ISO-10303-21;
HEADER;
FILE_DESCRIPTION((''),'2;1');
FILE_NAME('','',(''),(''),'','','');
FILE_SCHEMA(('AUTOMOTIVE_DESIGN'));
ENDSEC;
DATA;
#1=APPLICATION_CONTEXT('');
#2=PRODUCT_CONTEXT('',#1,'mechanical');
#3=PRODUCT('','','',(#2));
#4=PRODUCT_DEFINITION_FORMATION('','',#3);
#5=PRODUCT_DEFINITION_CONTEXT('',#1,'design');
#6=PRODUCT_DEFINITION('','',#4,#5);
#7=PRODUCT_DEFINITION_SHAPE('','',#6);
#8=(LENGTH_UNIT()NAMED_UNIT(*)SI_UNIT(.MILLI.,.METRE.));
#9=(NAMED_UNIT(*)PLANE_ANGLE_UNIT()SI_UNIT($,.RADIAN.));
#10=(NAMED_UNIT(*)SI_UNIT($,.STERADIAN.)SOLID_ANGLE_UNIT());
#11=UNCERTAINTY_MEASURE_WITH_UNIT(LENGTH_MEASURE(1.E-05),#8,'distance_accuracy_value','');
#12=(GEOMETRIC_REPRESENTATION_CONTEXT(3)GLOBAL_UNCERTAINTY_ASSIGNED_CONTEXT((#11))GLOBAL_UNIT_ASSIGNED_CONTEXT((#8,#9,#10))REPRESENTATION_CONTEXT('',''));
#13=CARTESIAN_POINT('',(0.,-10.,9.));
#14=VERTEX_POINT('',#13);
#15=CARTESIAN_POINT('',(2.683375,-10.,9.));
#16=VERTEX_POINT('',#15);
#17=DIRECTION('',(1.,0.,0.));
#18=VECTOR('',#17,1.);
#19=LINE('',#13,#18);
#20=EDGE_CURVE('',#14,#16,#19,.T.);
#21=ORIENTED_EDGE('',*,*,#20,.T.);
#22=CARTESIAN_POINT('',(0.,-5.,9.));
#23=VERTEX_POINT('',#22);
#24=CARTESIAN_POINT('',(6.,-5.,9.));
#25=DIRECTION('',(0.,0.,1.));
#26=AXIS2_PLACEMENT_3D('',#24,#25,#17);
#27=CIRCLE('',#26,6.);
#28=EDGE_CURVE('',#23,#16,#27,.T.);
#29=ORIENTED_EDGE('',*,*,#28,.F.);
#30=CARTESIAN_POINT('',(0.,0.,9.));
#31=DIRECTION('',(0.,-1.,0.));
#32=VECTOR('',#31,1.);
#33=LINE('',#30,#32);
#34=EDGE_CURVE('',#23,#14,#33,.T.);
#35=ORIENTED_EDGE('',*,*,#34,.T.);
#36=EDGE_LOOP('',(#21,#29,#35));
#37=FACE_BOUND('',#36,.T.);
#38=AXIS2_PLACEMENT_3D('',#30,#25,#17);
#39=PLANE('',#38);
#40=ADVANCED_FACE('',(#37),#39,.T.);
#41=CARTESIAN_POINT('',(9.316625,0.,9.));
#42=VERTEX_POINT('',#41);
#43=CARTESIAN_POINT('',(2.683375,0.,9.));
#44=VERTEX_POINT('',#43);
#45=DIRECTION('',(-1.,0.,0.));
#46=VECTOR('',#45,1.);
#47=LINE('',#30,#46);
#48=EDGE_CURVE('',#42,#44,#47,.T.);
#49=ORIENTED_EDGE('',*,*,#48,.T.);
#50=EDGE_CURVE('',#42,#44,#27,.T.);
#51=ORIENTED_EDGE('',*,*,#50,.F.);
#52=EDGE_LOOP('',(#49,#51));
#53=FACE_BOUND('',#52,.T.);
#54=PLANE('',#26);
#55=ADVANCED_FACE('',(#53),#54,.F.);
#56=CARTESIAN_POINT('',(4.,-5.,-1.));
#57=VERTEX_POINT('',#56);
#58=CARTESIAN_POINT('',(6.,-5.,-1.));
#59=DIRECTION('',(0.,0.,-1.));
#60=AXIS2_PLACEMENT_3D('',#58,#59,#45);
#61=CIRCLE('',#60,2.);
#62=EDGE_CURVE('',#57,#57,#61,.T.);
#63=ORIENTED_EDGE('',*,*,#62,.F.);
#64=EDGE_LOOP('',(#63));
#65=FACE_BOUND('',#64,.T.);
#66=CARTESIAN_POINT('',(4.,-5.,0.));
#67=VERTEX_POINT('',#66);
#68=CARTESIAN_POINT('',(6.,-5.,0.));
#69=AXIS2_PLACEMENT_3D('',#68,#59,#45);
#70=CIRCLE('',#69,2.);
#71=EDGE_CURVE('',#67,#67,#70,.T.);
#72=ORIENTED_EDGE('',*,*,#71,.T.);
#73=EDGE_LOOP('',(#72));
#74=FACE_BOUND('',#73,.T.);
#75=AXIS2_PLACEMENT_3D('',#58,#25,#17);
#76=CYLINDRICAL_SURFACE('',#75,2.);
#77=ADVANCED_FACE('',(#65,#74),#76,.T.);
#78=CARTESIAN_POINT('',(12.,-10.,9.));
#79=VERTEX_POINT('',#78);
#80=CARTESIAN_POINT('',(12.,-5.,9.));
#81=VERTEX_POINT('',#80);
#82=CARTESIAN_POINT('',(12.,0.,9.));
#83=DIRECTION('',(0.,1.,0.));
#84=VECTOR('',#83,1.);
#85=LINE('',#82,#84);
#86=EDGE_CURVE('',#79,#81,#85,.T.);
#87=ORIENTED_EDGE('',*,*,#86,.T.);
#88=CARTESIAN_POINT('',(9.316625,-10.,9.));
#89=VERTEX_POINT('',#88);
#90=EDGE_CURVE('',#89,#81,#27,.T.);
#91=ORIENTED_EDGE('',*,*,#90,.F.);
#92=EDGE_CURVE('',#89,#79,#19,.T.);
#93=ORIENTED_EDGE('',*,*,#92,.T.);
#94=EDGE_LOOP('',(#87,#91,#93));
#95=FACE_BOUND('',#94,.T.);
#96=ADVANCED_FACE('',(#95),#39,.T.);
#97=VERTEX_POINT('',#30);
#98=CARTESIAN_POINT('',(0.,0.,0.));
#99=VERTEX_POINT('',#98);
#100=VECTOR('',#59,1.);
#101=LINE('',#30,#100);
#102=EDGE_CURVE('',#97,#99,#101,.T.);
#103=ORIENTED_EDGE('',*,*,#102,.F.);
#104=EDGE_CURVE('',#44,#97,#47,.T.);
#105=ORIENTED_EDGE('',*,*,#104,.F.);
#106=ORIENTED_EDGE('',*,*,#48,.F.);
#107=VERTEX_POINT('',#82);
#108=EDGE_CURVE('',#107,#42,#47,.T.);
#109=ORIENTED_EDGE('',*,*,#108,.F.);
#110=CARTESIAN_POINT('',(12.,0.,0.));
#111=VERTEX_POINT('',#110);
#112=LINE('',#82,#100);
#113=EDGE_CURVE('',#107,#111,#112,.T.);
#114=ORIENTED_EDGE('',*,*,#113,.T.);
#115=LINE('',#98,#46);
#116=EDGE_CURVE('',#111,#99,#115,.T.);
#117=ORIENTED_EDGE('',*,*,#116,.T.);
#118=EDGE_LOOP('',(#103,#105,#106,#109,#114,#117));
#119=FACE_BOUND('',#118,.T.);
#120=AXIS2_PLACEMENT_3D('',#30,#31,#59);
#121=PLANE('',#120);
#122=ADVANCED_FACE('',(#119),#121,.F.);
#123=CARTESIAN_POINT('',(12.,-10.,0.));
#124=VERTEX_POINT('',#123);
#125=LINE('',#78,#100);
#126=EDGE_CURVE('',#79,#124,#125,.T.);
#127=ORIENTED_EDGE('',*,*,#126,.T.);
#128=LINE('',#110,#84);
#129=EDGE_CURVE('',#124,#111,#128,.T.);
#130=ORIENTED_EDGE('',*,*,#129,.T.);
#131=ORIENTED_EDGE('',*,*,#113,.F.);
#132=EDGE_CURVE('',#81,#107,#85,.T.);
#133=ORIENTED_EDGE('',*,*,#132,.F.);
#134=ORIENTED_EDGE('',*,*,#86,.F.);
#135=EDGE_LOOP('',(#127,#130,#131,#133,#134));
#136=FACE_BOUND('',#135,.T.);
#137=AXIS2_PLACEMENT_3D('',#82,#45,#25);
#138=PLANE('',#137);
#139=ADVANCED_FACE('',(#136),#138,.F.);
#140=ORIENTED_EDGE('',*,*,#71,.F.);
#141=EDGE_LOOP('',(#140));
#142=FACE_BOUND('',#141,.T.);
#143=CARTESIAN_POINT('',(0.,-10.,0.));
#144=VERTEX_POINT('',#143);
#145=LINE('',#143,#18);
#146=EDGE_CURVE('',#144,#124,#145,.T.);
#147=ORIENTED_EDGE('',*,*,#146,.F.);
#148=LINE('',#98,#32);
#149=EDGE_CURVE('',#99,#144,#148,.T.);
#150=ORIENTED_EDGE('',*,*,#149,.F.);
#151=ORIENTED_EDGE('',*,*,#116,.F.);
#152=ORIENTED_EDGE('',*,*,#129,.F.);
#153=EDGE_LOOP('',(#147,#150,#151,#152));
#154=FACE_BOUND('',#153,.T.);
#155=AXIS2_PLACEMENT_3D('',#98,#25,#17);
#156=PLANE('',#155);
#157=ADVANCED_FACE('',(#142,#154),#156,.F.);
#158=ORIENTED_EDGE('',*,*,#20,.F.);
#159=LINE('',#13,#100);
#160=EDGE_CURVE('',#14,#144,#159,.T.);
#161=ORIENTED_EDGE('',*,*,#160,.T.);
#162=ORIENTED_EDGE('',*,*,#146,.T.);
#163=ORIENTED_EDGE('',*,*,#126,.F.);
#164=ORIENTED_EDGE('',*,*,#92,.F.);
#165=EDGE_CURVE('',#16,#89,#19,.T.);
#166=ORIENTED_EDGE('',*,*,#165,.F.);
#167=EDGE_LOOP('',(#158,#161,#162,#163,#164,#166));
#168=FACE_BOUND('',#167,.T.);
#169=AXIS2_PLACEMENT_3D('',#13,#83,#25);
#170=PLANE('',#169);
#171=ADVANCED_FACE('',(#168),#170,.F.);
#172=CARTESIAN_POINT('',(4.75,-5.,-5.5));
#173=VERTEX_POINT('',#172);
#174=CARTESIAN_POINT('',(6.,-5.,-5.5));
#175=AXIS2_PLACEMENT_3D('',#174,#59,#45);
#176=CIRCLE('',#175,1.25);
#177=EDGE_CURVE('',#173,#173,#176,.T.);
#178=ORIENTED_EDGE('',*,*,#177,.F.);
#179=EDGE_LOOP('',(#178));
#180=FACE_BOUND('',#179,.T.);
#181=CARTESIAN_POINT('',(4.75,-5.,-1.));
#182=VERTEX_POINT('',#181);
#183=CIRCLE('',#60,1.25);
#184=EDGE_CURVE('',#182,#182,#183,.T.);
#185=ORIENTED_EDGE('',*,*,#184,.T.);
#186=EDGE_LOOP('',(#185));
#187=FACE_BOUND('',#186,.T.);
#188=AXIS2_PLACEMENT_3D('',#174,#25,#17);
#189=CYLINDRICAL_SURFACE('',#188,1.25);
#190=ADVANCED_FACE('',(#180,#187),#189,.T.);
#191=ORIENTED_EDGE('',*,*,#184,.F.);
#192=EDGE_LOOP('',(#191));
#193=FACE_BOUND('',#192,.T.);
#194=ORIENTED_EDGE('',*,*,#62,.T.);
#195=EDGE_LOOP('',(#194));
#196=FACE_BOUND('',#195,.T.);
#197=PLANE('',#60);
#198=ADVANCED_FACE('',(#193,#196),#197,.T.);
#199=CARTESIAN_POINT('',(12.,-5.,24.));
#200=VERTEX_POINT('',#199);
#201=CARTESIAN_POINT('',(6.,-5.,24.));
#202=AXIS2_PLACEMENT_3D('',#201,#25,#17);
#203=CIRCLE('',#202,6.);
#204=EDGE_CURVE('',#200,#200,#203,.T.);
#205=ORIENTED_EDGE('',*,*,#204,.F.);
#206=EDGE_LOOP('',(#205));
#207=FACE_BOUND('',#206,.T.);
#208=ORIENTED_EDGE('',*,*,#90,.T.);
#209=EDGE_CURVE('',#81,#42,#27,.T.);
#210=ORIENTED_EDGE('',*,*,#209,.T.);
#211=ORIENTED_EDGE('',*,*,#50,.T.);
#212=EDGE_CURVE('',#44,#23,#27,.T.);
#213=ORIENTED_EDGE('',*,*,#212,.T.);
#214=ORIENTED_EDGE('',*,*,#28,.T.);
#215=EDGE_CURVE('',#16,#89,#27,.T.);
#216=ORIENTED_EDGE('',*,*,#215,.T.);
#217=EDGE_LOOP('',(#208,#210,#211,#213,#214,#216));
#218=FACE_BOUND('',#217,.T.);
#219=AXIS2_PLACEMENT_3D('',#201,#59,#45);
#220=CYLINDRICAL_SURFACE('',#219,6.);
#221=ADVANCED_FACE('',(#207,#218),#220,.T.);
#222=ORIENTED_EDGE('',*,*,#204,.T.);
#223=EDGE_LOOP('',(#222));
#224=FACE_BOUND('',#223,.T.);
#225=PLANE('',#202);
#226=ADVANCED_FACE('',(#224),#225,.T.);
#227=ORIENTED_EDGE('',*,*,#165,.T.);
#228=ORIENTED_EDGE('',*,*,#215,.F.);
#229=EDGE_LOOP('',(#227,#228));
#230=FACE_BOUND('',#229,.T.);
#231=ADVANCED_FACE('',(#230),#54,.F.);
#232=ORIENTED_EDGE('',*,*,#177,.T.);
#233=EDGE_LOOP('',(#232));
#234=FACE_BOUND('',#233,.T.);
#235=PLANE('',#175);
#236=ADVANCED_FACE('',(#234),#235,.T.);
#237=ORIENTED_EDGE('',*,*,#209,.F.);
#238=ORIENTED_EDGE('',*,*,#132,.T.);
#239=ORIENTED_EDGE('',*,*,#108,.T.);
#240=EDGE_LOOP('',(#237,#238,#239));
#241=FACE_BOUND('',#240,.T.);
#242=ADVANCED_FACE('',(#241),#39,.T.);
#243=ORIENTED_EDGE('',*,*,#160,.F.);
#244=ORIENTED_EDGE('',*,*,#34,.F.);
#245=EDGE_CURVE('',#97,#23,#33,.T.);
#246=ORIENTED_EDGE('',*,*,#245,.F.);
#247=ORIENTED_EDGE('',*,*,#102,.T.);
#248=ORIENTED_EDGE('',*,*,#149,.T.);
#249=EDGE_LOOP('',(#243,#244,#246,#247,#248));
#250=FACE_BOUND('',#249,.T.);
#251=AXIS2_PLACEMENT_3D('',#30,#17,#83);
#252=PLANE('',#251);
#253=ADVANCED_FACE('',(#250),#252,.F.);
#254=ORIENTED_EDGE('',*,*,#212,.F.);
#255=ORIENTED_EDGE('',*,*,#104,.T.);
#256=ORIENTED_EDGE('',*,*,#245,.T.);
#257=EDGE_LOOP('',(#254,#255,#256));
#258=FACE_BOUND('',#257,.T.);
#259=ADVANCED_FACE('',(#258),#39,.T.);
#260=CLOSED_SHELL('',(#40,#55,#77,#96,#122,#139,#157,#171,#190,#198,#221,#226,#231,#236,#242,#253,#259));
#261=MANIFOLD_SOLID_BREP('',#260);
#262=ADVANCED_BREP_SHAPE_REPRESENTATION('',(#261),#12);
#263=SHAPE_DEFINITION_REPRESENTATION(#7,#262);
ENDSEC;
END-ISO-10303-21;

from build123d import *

# Parameters (mm, degrees)
SKETCH1_W           = 12
SKETCH1_H           = 10
BOSS_EXTRUDE1_DEPTH = 9
SKETCH2_R           = 6
BOSS_EXTRUDE2_DEPTH = 15
SKETCH3_R           = 2
BOSS_EXTRUDE3_DEPTH = 1
SKETCH4_R           = 1.25
BOSS_EXTRUDE4_DEPTH = 4.5


with BuildPart() as part:
    # Sketch1 → Boss-Extrude1 (new body)
    with BuildSketch(Plane.XY):
        with Locations((6, -5)):
            Rectangle(SKETCH1_W, SKETCH1_H)
    extrude(amount=BOSS_EXTRUDE1_DEPTH)

    # Sketch2 → Boss-Extrude2 (add)
    with BuildSketch(Plane.XY.offset(9)):
        with Locations((6, -5)):
            Circle(SKETCH2_R)
    extrude(amount=BOSS_EXTRUDE2_DEPTH)

    # Sketch3 → Boss-Extrude3 (add)
    with BuildSketch(Plane(origin=(0, 0, 0), x_dir=(-1, 0, 0), z_dir=(0, 0, -1))):
        with Locations((-6, -5)):
            Circle(SKETCH3_R)
    extrude(amount=BOSS_EXTRUDE3_DEPTH)

    # Sketch4 → Boss-Extrude4 (add)
    with BuildSketch(Plane(origin=(0, 0, -1), x_dir=(-1, 0, 0), z_dir=(0, 0, -1))):
        with Locations((-6, -5)):
            Circle(SKETCH4_R)
    extrude(amount=BOSS_EXTRUDE4_DEPTH)


solid = part.part
